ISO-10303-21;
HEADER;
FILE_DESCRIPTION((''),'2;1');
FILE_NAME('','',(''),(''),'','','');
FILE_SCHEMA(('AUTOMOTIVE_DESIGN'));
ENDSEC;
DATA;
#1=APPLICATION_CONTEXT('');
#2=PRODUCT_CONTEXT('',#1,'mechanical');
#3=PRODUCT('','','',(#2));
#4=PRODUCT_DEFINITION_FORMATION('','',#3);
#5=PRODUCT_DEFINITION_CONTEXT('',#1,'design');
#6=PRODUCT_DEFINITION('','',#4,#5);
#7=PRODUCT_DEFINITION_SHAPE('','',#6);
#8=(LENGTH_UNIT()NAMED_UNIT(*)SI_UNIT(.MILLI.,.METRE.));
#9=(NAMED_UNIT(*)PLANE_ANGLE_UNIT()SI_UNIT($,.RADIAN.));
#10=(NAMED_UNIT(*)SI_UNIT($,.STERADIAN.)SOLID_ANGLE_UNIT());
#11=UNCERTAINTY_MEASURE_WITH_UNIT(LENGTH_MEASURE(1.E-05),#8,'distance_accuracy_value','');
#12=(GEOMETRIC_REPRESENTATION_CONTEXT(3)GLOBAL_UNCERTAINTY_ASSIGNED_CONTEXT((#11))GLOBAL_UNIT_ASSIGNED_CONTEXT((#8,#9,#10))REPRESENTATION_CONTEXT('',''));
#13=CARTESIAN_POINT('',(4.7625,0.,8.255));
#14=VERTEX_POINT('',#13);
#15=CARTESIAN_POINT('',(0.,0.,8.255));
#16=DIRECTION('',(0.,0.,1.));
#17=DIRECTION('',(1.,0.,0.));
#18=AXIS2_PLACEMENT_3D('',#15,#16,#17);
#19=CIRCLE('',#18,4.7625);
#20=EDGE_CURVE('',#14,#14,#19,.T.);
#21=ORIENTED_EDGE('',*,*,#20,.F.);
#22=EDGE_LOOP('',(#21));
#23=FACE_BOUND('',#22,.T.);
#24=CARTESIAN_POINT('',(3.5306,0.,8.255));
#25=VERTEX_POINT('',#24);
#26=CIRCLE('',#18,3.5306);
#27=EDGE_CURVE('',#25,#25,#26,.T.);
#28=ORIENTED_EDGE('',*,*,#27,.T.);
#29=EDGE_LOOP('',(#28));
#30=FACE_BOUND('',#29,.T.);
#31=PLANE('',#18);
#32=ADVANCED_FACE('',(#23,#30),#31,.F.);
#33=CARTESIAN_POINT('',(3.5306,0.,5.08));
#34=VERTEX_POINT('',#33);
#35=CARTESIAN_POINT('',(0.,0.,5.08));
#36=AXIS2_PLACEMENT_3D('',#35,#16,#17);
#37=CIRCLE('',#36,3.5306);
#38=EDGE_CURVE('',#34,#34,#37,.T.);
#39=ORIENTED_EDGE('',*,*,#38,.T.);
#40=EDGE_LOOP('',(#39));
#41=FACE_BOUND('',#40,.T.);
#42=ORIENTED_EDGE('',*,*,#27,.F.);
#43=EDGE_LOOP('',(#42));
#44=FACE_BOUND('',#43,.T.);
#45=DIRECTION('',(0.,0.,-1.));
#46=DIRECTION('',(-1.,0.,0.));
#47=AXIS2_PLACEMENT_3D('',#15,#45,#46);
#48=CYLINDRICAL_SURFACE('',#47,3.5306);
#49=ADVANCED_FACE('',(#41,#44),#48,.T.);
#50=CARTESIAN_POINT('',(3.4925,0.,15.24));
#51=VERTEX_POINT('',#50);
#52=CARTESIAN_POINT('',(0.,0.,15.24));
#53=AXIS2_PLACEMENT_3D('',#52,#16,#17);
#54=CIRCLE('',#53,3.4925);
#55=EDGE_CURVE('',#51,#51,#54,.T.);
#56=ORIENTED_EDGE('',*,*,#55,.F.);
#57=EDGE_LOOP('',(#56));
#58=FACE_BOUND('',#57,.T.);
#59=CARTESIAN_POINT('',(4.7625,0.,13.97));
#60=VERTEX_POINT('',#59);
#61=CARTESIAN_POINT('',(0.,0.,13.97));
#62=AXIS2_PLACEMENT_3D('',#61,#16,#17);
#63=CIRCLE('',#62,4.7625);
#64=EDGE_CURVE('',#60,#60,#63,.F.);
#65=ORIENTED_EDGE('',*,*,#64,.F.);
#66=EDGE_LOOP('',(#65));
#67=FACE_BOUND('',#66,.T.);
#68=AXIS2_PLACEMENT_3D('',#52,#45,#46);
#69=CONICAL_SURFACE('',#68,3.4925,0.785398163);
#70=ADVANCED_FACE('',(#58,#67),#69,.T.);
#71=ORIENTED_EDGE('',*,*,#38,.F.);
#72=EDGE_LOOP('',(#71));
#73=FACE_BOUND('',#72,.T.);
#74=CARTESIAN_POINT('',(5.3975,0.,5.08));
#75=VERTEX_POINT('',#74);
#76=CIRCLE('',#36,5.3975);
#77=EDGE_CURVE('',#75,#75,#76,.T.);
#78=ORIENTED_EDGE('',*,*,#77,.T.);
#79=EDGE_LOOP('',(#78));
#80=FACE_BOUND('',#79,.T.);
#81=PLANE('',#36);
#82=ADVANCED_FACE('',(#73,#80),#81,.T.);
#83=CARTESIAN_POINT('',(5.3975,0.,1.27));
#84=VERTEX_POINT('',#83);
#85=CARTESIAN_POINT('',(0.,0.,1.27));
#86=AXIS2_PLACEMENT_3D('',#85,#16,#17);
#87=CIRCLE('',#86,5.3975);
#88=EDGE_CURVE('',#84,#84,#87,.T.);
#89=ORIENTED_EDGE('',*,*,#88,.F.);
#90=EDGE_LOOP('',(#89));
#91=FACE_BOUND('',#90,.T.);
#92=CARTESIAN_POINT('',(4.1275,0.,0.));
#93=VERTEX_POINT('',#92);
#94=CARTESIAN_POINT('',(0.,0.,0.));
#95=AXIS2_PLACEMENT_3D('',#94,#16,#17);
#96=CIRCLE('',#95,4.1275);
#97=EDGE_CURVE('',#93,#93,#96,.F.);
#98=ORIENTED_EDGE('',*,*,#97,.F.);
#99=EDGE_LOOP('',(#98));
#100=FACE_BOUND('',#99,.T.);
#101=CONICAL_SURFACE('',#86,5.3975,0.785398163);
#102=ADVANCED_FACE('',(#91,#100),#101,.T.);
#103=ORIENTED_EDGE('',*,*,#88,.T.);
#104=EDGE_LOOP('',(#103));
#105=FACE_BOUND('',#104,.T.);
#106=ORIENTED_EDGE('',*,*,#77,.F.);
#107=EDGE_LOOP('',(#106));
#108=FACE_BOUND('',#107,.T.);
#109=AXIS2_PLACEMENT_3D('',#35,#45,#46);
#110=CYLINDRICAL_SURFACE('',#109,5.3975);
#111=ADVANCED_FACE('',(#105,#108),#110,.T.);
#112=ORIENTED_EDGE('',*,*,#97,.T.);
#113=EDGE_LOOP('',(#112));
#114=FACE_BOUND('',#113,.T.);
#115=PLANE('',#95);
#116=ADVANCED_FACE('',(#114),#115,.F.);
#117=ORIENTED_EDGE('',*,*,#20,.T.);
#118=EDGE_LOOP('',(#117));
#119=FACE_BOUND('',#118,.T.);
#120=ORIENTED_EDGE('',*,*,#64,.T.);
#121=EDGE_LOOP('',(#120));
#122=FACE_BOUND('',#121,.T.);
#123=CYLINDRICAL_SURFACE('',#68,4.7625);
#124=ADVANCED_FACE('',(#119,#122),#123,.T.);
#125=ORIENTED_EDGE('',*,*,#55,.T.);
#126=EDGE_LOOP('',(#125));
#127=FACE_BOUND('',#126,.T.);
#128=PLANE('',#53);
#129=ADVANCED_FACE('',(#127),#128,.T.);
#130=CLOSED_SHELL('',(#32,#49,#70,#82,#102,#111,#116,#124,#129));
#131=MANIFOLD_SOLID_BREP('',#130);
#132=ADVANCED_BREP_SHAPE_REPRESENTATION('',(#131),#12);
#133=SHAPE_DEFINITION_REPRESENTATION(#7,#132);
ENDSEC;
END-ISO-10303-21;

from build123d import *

# Parameters (mm, degrees)
SKETCH1_R           = 5.3975
BOSS_EXTRUDE1_DEPTH = 5.08
SKETCH3_R           = 3.5306
BOSS_EXTRUDE2_DEPTH = 3.175
SKETCH4_R           = 4.7625
BOSS_EXTRUDE3_DEPTH = 6.985
CHAMFER1_SIZE       = 1.27
CHAMFER2_SIZE       = 1.27


with BuildPart() as part:
    # Sketch1 → Boss-Extrude1 (new body)
    with BuildSketch(Plane.XY):
        Circle(SKETCH1_R)
    extrude(amount=BOSS_EXTRUDE1_DEPTH)

    # Sketch3 → Boss-Extrude2 (add)
    with BuildSketch(Plane.XY.offset(5.08)):
        Circle(SKETCH3_R)
    extrude(amount=BOSS_EXTRUDE2_DEPTH)

    # Sketch4 → Boss-Extrude3 (add)
    with BuildSketch(Plane.XY.offset(8.255)):
        Circle(SKETCH4_R)
    extrude(amount=BOSS_EXTRUDE3_DEPTH)

    # Chamfer1
    chamfer1_edges = [part.edges().sort_by_distance(p)[0] for p in [
        (-4.7625, 0, 15.24),
    ]]
    chamfer(chamfer1_edges, length=CHAMFER1_SIZE)

    # Chamfer2
    chamfer2_edges = [part.edges().sort_by_distance(p)[0] for p in [
        (-5.3975, 0, 0),
    ]]
    chamfer(chamfer2_edges, length=CHAMFER2_SIZE)


solid = part.part
